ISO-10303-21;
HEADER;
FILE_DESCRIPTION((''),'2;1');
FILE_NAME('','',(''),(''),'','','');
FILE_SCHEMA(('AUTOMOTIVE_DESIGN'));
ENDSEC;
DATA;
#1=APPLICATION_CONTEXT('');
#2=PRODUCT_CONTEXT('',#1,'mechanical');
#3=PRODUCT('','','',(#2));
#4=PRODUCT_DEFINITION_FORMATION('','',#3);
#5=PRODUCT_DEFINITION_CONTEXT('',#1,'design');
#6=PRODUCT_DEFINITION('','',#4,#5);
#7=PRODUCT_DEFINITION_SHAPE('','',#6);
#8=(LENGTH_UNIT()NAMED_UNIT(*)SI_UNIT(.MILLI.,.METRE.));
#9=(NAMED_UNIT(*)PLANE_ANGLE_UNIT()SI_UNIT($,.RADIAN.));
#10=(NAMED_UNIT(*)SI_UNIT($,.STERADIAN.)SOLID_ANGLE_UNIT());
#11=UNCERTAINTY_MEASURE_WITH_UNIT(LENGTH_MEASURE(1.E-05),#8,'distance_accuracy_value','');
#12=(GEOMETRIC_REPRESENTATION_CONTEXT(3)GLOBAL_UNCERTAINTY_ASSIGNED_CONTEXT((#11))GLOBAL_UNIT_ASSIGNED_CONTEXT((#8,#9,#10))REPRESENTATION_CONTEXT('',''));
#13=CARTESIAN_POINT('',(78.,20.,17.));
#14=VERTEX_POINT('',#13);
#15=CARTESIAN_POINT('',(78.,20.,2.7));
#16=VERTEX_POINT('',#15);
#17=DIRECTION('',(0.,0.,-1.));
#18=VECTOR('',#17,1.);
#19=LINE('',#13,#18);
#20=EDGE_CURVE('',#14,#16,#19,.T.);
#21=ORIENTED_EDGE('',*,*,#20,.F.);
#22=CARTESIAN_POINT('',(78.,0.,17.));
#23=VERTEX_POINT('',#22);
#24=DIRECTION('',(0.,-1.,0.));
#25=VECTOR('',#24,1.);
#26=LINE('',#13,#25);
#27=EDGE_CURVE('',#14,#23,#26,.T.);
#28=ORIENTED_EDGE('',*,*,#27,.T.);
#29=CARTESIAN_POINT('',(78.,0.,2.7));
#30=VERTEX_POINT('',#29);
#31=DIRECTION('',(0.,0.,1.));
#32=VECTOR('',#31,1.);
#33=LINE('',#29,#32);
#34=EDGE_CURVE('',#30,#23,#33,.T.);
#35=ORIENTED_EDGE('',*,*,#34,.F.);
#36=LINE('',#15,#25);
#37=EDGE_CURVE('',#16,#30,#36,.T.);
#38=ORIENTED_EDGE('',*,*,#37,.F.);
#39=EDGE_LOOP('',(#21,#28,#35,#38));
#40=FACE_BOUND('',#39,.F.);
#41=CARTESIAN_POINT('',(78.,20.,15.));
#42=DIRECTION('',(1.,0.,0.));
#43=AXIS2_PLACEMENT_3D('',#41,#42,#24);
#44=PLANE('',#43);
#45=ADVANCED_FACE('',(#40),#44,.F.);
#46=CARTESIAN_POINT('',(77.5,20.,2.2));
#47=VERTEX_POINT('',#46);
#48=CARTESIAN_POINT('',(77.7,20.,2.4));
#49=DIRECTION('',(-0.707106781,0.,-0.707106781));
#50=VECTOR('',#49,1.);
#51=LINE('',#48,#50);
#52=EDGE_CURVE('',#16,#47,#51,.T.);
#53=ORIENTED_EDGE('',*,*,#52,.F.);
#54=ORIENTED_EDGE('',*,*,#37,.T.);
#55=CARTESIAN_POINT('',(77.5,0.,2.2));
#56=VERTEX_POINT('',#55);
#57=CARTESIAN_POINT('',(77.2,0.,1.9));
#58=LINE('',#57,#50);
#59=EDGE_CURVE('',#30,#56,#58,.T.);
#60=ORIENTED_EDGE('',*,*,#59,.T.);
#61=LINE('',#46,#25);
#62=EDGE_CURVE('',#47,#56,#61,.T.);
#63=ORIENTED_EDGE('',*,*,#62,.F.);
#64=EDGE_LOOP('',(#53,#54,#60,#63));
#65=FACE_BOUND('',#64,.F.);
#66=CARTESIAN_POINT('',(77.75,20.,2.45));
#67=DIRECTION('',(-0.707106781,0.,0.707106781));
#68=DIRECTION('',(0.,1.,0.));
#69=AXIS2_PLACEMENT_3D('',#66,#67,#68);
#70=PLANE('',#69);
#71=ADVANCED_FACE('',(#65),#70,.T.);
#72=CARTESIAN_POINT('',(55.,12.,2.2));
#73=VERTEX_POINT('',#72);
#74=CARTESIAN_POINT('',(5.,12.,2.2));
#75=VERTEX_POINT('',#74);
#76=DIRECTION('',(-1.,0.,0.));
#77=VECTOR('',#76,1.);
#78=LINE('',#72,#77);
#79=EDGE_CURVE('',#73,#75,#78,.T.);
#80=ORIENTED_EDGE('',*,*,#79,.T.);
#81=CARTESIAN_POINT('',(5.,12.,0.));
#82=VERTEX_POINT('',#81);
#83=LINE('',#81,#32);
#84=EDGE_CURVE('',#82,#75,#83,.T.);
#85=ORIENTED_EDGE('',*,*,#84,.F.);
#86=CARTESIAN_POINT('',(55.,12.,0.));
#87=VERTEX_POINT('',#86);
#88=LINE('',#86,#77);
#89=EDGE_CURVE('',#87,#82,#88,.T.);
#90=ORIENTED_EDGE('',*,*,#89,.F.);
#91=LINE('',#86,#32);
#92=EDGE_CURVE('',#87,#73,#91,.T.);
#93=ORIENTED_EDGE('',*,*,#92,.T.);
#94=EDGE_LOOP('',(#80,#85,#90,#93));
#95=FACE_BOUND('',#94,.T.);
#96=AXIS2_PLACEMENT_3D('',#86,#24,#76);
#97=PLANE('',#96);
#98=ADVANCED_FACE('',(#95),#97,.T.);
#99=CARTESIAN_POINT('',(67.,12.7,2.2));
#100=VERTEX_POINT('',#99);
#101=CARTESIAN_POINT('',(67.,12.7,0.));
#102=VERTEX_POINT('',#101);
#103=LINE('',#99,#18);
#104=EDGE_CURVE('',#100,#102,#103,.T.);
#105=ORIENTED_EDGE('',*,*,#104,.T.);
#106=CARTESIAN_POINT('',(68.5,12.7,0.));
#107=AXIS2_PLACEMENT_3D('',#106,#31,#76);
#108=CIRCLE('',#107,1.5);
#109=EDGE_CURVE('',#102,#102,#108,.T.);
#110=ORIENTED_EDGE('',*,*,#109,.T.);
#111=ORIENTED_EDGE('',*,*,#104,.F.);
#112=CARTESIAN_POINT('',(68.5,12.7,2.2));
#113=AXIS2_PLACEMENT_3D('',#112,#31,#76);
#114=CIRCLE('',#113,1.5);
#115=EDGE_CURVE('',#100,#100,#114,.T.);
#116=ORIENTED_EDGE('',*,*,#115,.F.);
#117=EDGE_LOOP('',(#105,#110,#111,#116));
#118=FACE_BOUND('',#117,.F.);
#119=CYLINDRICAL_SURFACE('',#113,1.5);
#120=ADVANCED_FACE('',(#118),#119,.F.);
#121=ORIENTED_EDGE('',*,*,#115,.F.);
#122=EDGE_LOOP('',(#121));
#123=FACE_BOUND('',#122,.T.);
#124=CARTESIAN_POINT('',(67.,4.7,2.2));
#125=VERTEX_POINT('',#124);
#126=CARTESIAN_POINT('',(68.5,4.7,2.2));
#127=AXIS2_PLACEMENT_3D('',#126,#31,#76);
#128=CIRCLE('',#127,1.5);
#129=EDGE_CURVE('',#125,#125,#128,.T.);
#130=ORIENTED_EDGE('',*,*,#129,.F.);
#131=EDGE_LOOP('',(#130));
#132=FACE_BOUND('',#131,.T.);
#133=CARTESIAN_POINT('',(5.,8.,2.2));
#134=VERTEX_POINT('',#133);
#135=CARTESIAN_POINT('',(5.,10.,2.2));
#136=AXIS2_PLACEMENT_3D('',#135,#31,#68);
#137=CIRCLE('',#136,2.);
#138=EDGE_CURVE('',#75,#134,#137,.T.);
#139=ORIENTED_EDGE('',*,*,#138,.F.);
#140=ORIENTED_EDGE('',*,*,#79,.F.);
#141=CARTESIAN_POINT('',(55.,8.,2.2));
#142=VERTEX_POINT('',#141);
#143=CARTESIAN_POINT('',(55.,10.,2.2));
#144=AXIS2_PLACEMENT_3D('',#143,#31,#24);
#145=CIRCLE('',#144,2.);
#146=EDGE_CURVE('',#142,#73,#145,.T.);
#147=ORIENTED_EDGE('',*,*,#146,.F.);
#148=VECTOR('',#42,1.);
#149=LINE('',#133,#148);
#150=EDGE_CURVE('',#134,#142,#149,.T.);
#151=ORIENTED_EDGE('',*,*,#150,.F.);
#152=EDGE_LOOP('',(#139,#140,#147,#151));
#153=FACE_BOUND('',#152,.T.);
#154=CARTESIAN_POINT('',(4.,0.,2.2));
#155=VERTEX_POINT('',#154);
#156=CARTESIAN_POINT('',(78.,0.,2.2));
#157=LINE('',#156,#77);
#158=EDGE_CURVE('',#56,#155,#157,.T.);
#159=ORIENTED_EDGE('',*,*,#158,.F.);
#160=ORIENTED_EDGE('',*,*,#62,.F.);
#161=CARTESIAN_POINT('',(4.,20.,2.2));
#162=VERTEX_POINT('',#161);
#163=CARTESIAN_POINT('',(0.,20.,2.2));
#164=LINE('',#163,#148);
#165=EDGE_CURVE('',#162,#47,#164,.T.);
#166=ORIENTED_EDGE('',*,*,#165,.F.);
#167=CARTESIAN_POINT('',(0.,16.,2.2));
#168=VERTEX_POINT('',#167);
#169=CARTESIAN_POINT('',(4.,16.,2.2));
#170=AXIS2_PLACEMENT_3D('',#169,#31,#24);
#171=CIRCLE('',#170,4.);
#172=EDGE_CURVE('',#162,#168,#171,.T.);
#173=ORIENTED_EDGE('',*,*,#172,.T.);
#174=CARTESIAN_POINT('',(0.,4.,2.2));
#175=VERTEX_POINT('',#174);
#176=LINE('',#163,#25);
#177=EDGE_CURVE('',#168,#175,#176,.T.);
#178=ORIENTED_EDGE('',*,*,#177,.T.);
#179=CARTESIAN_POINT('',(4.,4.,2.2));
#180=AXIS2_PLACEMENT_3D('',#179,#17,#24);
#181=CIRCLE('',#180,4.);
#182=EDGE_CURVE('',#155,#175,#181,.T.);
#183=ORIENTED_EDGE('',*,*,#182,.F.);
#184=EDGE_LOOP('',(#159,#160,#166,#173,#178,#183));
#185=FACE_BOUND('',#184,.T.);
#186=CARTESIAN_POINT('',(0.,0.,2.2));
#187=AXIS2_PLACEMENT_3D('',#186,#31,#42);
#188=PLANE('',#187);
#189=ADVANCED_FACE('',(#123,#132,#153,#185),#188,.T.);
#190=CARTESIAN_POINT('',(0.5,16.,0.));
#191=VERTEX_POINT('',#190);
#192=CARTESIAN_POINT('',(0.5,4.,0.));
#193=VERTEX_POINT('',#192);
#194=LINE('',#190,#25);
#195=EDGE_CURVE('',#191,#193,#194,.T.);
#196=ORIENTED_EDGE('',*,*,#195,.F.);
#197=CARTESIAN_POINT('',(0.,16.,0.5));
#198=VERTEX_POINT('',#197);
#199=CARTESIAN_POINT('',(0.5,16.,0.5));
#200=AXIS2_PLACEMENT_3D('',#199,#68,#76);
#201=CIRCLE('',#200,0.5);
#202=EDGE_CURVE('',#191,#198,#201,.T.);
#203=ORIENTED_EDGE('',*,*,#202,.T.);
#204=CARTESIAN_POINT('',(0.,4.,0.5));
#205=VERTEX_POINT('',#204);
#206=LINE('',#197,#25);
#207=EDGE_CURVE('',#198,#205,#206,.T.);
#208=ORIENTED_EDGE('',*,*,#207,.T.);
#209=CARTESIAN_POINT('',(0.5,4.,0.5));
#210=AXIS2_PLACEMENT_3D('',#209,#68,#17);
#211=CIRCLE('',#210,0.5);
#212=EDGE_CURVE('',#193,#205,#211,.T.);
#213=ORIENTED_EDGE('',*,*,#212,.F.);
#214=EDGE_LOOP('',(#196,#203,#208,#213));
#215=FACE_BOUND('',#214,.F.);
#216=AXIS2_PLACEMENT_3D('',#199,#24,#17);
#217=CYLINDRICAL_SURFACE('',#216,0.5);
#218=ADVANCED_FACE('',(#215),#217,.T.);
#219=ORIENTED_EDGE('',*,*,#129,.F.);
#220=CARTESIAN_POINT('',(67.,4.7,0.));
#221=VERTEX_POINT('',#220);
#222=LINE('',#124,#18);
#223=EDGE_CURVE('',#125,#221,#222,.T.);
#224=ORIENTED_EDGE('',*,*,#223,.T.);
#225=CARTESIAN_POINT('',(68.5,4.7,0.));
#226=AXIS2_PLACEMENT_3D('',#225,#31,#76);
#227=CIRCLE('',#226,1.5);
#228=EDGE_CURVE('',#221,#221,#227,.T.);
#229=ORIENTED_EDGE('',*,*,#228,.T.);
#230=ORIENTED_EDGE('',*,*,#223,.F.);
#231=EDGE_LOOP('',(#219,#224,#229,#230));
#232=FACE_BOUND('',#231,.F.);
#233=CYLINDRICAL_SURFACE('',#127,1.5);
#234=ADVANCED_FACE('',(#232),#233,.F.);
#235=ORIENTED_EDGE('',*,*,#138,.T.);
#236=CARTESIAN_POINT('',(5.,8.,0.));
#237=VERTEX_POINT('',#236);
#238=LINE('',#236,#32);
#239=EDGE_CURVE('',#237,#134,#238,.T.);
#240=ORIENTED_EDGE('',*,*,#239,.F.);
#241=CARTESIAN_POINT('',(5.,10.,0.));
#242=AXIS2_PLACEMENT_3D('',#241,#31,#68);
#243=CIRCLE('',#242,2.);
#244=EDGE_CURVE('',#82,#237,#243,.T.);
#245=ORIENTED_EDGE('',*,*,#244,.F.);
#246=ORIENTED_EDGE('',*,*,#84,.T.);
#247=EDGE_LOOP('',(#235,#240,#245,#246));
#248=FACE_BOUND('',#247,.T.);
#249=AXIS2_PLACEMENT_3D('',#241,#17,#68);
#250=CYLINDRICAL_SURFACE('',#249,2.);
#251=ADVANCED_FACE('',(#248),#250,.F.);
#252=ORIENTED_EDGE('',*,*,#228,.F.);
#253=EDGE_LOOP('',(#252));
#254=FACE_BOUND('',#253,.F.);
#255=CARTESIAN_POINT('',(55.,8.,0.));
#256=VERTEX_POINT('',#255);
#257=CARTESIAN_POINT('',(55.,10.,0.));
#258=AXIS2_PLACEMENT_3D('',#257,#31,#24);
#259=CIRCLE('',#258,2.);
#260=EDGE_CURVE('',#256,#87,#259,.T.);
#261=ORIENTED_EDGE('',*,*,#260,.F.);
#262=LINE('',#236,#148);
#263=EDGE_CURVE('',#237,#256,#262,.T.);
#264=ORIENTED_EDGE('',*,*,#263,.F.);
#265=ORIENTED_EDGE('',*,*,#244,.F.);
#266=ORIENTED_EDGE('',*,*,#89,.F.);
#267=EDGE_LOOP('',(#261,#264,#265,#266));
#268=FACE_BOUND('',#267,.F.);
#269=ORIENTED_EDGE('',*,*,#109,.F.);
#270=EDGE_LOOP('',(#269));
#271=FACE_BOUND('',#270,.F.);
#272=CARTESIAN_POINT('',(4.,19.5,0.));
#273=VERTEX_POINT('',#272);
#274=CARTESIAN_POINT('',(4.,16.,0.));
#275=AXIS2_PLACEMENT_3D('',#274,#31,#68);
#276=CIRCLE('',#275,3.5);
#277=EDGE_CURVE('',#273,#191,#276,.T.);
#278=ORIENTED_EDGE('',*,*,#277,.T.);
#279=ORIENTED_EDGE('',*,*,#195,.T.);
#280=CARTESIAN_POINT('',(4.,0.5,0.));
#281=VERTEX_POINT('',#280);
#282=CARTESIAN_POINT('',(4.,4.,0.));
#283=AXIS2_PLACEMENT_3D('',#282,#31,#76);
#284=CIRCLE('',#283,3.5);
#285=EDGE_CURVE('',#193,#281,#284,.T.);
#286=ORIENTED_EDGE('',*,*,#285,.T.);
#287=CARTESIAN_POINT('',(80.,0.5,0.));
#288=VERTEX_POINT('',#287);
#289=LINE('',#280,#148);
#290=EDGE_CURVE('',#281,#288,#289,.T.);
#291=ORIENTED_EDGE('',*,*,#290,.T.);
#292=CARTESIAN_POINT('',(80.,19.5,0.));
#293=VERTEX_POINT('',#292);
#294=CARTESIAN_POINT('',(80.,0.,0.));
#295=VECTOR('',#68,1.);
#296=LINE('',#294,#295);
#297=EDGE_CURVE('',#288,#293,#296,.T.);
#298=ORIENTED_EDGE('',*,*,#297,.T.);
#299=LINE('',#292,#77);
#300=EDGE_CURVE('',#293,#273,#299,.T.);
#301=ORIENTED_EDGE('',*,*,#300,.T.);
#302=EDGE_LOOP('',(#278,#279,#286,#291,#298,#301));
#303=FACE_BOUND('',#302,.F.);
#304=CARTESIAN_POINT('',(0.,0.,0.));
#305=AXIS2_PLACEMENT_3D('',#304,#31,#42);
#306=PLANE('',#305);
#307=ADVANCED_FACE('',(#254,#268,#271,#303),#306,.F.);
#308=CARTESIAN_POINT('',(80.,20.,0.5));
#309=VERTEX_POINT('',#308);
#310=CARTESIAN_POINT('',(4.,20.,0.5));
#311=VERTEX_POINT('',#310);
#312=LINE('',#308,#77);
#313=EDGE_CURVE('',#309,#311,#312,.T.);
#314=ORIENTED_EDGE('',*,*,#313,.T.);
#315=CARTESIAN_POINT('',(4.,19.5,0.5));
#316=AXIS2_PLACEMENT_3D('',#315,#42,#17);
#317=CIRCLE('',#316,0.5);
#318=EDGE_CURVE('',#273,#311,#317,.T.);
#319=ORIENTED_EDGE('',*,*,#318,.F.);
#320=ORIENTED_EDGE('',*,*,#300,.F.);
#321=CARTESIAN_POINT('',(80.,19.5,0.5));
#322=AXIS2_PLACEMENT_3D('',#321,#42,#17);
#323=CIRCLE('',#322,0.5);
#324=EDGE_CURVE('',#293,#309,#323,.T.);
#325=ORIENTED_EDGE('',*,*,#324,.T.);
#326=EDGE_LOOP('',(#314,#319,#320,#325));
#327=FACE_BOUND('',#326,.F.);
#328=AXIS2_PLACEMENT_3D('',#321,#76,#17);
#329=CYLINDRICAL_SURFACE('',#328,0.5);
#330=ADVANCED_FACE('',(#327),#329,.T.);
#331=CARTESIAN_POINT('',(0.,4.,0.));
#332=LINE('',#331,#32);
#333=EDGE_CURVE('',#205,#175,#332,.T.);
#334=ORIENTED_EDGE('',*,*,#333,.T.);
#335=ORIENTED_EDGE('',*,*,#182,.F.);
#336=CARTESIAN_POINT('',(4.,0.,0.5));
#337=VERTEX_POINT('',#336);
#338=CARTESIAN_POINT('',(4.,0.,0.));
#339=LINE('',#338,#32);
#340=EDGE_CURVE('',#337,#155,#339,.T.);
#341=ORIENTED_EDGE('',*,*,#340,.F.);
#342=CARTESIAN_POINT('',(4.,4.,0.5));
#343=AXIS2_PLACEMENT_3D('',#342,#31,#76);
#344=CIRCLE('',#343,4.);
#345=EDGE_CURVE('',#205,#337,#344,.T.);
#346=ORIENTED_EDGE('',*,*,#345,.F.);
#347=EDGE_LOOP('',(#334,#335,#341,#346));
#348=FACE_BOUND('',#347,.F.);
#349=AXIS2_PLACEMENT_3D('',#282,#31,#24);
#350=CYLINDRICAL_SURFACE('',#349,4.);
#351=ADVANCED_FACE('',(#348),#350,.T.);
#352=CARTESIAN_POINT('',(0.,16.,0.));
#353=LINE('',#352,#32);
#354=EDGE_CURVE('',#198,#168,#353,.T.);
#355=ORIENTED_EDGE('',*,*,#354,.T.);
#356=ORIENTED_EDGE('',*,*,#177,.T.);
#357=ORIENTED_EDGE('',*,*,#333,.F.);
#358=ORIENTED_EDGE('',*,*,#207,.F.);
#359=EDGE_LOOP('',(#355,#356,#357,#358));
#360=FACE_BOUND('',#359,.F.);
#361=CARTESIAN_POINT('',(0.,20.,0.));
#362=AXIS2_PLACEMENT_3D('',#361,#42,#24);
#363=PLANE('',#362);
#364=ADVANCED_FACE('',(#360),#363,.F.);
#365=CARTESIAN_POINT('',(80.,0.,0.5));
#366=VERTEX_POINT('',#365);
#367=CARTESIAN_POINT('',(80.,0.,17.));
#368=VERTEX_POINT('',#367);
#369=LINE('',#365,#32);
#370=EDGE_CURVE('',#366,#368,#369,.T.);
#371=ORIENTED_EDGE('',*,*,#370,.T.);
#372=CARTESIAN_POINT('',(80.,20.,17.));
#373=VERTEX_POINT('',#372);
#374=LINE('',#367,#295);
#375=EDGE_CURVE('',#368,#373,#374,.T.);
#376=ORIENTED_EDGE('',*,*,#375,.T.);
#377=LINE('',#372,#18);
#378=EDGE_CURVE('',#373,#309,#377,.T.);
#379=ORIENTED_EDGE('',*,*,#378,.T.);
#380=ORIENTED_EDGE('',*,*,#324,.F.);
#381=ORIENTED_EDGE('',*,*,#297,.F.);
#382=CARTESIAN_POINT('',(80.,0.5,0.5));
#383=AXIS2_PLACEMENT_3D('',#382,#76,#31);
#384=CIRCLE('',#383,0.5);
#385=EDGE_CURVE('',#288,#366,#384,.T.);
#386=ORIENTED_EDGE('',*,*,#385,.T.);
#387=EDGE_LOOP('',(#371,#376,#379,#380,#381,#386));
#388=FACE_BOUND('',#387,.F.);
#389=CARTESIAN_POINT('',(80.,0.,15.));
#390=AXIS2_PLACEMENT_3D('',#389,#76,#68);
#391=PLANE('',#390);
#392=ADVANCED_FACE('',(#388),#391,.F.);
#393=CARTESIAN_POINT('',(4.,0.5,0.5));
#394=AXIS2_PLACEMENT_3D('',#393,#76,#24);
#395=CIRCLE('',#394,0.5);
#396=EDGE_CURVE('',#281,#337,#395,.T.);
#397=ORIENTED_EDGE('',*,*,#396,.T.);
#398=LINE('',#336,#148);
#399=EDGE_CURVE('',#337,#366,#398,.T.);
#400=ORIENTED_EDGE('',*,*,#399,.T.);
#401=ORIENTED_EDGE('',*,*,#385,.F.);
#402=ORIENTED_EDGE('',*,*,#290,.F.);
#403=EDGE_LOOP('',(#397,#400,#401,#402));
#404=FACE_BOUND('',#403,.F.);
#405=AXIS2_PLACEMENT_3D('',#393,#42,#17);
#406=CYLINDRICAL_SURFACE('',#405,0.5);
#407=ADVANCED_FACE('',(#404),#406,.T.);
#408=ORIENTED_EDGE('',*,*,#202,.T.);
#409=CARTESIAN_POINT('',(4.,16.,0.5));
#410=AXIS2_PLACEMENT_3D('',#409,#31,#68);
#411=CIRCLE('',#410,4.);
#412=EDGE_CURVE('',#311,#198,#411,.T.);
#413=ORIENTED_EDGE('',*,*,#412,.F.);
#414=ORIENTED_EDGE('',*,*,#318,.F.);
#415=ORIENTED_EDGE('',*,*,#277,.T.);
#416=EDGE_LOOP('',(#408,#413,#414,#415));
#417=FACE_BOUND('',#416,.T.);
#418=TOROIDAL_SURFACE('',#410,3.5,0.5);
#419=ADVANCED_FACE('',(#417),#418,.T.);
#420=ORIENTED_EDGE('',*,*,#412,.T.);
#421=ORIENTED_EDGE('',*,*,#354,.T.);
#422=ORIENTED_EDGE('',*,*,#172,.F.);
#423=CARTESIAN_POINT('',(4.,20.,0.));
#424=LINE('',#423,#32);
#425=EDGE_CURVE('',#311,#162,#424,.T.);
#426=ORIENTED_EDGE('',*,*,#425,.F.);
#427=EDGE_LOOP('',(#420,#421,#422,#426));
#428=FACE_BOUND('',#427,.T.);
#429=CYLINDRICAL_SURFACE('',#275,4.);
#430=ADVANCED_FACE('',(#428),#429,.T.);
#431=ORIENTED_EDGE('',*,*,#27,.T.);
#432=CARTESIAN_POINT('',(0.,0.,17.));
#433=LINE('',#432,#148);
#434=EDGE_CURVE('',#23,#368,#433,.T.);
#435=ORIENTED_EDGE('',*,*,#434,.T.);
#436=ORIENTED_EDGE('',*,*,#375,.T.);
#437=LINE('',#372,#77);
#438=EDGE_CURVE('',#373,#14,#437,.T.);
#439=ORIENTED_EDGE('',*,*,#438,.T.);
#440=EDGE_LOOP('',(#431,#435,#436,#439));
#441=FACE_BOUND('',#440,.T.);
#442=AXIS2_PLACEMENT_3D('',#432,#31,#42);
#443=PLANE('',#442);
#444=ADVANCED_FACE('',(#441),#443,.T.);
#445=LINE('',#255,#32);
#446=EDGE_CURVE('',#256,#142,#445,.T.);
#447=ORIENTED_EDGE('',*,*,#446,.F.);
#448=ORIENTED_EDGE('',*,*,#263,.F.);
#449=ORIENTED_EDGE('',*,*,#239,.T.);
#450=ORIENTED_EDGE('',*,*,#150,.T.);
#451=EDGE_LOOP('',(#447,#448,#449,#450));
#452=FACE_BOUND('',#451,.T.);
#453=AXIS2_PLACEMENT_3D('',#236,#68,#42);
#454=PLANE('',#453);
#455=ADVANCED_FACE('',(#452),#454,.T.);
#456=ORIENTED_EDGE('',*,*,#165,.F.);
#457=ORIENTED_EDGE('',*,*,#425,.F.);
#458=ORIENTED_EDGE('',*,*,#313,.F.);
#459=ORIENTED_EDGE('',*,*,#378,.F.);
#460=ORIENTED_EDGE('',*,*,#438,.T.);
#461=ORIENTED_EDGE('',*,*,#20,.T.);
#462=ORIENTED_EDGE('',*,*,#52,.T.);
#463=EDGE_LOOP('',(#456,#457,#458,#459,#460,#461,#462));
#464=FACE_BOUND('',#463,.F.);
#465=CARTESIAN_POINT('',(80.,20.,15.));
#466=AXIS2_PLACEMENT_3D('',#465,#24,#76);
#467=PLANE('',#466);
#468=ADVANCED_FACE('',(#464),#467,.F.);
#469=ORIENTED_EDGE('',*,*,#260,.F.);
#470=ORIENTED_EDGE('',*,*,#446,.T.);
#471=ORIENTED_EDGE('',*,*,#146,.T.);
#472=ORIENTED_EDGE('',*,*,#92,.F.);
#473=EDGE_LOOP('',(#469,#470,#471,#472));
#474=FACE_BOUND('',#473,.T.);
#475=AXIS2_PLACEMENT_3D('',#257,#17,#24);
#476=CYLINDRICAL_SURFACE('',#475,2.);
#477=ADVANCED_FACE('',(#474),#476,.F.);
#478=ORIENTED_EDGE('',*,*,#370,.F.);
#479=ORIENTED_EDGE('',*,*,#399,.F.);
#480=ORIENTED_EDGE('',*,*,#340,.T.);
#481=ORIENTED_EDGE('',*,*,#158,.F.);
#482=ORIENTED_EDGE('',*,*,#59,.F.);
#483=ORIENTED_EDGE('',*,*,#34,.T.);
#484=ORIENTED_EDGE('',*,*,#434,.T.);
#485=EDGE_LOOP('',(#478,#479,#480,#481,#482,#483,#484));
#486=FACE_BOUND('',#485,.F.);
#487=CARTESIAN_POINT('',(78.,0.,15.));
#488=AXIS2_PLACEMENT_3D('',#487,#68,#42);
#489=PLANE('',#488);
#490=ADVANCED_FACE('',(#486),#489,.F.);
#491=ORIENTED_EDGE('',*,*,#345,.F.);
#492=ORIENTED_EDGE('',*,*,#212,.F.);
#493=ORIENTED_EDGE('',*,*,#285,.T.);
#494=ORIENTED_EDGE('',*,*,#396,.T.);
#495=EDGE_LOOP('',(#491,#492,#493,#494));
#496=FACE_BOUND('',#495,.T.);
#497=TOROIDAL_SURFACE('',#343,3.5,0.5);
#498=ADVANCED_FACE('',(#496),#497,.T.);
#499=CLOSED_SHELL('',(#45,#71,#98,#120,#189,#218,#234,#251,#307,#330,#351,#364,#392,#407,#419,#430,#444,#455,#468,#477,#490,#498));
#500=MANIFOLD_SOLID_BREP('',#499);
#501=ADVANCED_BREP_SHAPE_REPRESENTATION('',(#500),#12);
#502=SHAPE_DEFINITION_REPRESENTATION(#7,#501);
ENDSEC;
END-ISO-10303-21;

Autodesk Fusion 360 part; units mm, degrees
sketch "Sketch1" plane through (0, 0, 0) normal (0, 0, 1) x (1, 0, 0)
  line L0 (0, 0) -> (80, 0)
  line L1 (80, 0) -> (80, 20)
  line L2 (80, 20) -> (0, 20)
  line L3 (0, 20) -> (0, 0)
  line L4 (80, 20) -> (60, 20)
  line L5 (60, 20) -> (60, 0)
  line L6 (60, 0) -> (80, 0)
  line L7 (80, 0) -> (80, 20)
  line L8 (80, 20) -> (78, 20)
  line L9 (78, 20) -> (78, 0)
  line L10 (78, 0) -> (80, 0)
  line L11 (80, 0) -> (80, 20)
  line L12 (55, 12) -> (5, 12)
  arc A0 (5, 12) -> (5, 8) centre (5, 10) ccw
  line L13 (5, 8) -> (55, 8)
  arc A1 (55, 8) -> (55, 12) centre (55, 10) ccw
  line L14 (55, 10) -> (5, 10) construction
  point P0 (30, 10)
  dimension "d1" = 80
  dimension "d2" = 20
  dimension "d3" = 20
  dimension "d4" = 2
  dimension "d6" = 4
extrude "Extrude1" add sketch "Sketch1" along normal blind 2.2 contours L0 L2 L3 L5 | L0 L2 L4 L5 L6 L9
extrude "Extrude2" add sketch "Sketch1" along normal blind 15 contours L0 L1 L2 L4 L6 L7 L8 L9 L10 L11
chamfer "Chamfer1" distance 0.5 angle 45 1 edges at (78, 10, 2.2)
fillet "Fillet1" radius 4 2 edges at (0, 0, 1.1) (0, 20, 1.1)
fillet "Fillet2" radius 0.5 5 edges at (42, 20, 0) (1.1716, 18.8284, 0) (0, 10, 0) (1.1716, 1.1716, 0) (42, 0, 0)
sketch "Sketch2" plane through (0, 0, 2.2) normal (0, 0, 1) x (-1, 0, 0)
  arc A0 (-4, -20) -> (0, -16) centre (-4, -16) ccw
  line L0 (0, -16) -> (0, -4)
  arc A1 (0, -4) -> (-4, 0) centre (-4, -4) ccw
  line L1 (-4, 0) -> (-77.5, 0)
  line L2 (-77.5, 0) -> (-77.5, -20)
  line L3 (-77.5, -20) -> (-4, -20)
  arc A2 (-55, -8) -> (-55, -12) centre (-55, -10) ccw
  line L4 (-55, -8) -> (-5, -8)
  arc A3 (-5, -12) -> (-5, -8) centre (-5, -10) ccw
  line L5 (-5, -12) -> (-55, -12)
  line L6 (-77.5, 0) -> (-59.5, 0)
  line L7 (-59.5, 0) -> (-59.5, -20)
  line L8 (-59.5, -20) -> (-77.5, -20)
  line L9 (-77.5, -20) -> (-77.5, 0)
  circle A4 centre (-68.5, -4.7) radius 1.5
  circle A5 centre (-68.5, -12.7) radius 1.5
  dimension "d14" = 18
  dimension "d15" = 3
  dimension "d16" = 9
  dimension "d17" = 20
  dimension "d18" = 4.7
  dimension "d19" = 3
  dimension "d20" = 8
extrude "Extrude3" cut sketch "Sketch2" against normal blind 10 contours A4 | A5
extrude "Extrude4" add 1 faces at (78.6667, 13.3333, 15) along direction (0, 0, 1) blind 2
